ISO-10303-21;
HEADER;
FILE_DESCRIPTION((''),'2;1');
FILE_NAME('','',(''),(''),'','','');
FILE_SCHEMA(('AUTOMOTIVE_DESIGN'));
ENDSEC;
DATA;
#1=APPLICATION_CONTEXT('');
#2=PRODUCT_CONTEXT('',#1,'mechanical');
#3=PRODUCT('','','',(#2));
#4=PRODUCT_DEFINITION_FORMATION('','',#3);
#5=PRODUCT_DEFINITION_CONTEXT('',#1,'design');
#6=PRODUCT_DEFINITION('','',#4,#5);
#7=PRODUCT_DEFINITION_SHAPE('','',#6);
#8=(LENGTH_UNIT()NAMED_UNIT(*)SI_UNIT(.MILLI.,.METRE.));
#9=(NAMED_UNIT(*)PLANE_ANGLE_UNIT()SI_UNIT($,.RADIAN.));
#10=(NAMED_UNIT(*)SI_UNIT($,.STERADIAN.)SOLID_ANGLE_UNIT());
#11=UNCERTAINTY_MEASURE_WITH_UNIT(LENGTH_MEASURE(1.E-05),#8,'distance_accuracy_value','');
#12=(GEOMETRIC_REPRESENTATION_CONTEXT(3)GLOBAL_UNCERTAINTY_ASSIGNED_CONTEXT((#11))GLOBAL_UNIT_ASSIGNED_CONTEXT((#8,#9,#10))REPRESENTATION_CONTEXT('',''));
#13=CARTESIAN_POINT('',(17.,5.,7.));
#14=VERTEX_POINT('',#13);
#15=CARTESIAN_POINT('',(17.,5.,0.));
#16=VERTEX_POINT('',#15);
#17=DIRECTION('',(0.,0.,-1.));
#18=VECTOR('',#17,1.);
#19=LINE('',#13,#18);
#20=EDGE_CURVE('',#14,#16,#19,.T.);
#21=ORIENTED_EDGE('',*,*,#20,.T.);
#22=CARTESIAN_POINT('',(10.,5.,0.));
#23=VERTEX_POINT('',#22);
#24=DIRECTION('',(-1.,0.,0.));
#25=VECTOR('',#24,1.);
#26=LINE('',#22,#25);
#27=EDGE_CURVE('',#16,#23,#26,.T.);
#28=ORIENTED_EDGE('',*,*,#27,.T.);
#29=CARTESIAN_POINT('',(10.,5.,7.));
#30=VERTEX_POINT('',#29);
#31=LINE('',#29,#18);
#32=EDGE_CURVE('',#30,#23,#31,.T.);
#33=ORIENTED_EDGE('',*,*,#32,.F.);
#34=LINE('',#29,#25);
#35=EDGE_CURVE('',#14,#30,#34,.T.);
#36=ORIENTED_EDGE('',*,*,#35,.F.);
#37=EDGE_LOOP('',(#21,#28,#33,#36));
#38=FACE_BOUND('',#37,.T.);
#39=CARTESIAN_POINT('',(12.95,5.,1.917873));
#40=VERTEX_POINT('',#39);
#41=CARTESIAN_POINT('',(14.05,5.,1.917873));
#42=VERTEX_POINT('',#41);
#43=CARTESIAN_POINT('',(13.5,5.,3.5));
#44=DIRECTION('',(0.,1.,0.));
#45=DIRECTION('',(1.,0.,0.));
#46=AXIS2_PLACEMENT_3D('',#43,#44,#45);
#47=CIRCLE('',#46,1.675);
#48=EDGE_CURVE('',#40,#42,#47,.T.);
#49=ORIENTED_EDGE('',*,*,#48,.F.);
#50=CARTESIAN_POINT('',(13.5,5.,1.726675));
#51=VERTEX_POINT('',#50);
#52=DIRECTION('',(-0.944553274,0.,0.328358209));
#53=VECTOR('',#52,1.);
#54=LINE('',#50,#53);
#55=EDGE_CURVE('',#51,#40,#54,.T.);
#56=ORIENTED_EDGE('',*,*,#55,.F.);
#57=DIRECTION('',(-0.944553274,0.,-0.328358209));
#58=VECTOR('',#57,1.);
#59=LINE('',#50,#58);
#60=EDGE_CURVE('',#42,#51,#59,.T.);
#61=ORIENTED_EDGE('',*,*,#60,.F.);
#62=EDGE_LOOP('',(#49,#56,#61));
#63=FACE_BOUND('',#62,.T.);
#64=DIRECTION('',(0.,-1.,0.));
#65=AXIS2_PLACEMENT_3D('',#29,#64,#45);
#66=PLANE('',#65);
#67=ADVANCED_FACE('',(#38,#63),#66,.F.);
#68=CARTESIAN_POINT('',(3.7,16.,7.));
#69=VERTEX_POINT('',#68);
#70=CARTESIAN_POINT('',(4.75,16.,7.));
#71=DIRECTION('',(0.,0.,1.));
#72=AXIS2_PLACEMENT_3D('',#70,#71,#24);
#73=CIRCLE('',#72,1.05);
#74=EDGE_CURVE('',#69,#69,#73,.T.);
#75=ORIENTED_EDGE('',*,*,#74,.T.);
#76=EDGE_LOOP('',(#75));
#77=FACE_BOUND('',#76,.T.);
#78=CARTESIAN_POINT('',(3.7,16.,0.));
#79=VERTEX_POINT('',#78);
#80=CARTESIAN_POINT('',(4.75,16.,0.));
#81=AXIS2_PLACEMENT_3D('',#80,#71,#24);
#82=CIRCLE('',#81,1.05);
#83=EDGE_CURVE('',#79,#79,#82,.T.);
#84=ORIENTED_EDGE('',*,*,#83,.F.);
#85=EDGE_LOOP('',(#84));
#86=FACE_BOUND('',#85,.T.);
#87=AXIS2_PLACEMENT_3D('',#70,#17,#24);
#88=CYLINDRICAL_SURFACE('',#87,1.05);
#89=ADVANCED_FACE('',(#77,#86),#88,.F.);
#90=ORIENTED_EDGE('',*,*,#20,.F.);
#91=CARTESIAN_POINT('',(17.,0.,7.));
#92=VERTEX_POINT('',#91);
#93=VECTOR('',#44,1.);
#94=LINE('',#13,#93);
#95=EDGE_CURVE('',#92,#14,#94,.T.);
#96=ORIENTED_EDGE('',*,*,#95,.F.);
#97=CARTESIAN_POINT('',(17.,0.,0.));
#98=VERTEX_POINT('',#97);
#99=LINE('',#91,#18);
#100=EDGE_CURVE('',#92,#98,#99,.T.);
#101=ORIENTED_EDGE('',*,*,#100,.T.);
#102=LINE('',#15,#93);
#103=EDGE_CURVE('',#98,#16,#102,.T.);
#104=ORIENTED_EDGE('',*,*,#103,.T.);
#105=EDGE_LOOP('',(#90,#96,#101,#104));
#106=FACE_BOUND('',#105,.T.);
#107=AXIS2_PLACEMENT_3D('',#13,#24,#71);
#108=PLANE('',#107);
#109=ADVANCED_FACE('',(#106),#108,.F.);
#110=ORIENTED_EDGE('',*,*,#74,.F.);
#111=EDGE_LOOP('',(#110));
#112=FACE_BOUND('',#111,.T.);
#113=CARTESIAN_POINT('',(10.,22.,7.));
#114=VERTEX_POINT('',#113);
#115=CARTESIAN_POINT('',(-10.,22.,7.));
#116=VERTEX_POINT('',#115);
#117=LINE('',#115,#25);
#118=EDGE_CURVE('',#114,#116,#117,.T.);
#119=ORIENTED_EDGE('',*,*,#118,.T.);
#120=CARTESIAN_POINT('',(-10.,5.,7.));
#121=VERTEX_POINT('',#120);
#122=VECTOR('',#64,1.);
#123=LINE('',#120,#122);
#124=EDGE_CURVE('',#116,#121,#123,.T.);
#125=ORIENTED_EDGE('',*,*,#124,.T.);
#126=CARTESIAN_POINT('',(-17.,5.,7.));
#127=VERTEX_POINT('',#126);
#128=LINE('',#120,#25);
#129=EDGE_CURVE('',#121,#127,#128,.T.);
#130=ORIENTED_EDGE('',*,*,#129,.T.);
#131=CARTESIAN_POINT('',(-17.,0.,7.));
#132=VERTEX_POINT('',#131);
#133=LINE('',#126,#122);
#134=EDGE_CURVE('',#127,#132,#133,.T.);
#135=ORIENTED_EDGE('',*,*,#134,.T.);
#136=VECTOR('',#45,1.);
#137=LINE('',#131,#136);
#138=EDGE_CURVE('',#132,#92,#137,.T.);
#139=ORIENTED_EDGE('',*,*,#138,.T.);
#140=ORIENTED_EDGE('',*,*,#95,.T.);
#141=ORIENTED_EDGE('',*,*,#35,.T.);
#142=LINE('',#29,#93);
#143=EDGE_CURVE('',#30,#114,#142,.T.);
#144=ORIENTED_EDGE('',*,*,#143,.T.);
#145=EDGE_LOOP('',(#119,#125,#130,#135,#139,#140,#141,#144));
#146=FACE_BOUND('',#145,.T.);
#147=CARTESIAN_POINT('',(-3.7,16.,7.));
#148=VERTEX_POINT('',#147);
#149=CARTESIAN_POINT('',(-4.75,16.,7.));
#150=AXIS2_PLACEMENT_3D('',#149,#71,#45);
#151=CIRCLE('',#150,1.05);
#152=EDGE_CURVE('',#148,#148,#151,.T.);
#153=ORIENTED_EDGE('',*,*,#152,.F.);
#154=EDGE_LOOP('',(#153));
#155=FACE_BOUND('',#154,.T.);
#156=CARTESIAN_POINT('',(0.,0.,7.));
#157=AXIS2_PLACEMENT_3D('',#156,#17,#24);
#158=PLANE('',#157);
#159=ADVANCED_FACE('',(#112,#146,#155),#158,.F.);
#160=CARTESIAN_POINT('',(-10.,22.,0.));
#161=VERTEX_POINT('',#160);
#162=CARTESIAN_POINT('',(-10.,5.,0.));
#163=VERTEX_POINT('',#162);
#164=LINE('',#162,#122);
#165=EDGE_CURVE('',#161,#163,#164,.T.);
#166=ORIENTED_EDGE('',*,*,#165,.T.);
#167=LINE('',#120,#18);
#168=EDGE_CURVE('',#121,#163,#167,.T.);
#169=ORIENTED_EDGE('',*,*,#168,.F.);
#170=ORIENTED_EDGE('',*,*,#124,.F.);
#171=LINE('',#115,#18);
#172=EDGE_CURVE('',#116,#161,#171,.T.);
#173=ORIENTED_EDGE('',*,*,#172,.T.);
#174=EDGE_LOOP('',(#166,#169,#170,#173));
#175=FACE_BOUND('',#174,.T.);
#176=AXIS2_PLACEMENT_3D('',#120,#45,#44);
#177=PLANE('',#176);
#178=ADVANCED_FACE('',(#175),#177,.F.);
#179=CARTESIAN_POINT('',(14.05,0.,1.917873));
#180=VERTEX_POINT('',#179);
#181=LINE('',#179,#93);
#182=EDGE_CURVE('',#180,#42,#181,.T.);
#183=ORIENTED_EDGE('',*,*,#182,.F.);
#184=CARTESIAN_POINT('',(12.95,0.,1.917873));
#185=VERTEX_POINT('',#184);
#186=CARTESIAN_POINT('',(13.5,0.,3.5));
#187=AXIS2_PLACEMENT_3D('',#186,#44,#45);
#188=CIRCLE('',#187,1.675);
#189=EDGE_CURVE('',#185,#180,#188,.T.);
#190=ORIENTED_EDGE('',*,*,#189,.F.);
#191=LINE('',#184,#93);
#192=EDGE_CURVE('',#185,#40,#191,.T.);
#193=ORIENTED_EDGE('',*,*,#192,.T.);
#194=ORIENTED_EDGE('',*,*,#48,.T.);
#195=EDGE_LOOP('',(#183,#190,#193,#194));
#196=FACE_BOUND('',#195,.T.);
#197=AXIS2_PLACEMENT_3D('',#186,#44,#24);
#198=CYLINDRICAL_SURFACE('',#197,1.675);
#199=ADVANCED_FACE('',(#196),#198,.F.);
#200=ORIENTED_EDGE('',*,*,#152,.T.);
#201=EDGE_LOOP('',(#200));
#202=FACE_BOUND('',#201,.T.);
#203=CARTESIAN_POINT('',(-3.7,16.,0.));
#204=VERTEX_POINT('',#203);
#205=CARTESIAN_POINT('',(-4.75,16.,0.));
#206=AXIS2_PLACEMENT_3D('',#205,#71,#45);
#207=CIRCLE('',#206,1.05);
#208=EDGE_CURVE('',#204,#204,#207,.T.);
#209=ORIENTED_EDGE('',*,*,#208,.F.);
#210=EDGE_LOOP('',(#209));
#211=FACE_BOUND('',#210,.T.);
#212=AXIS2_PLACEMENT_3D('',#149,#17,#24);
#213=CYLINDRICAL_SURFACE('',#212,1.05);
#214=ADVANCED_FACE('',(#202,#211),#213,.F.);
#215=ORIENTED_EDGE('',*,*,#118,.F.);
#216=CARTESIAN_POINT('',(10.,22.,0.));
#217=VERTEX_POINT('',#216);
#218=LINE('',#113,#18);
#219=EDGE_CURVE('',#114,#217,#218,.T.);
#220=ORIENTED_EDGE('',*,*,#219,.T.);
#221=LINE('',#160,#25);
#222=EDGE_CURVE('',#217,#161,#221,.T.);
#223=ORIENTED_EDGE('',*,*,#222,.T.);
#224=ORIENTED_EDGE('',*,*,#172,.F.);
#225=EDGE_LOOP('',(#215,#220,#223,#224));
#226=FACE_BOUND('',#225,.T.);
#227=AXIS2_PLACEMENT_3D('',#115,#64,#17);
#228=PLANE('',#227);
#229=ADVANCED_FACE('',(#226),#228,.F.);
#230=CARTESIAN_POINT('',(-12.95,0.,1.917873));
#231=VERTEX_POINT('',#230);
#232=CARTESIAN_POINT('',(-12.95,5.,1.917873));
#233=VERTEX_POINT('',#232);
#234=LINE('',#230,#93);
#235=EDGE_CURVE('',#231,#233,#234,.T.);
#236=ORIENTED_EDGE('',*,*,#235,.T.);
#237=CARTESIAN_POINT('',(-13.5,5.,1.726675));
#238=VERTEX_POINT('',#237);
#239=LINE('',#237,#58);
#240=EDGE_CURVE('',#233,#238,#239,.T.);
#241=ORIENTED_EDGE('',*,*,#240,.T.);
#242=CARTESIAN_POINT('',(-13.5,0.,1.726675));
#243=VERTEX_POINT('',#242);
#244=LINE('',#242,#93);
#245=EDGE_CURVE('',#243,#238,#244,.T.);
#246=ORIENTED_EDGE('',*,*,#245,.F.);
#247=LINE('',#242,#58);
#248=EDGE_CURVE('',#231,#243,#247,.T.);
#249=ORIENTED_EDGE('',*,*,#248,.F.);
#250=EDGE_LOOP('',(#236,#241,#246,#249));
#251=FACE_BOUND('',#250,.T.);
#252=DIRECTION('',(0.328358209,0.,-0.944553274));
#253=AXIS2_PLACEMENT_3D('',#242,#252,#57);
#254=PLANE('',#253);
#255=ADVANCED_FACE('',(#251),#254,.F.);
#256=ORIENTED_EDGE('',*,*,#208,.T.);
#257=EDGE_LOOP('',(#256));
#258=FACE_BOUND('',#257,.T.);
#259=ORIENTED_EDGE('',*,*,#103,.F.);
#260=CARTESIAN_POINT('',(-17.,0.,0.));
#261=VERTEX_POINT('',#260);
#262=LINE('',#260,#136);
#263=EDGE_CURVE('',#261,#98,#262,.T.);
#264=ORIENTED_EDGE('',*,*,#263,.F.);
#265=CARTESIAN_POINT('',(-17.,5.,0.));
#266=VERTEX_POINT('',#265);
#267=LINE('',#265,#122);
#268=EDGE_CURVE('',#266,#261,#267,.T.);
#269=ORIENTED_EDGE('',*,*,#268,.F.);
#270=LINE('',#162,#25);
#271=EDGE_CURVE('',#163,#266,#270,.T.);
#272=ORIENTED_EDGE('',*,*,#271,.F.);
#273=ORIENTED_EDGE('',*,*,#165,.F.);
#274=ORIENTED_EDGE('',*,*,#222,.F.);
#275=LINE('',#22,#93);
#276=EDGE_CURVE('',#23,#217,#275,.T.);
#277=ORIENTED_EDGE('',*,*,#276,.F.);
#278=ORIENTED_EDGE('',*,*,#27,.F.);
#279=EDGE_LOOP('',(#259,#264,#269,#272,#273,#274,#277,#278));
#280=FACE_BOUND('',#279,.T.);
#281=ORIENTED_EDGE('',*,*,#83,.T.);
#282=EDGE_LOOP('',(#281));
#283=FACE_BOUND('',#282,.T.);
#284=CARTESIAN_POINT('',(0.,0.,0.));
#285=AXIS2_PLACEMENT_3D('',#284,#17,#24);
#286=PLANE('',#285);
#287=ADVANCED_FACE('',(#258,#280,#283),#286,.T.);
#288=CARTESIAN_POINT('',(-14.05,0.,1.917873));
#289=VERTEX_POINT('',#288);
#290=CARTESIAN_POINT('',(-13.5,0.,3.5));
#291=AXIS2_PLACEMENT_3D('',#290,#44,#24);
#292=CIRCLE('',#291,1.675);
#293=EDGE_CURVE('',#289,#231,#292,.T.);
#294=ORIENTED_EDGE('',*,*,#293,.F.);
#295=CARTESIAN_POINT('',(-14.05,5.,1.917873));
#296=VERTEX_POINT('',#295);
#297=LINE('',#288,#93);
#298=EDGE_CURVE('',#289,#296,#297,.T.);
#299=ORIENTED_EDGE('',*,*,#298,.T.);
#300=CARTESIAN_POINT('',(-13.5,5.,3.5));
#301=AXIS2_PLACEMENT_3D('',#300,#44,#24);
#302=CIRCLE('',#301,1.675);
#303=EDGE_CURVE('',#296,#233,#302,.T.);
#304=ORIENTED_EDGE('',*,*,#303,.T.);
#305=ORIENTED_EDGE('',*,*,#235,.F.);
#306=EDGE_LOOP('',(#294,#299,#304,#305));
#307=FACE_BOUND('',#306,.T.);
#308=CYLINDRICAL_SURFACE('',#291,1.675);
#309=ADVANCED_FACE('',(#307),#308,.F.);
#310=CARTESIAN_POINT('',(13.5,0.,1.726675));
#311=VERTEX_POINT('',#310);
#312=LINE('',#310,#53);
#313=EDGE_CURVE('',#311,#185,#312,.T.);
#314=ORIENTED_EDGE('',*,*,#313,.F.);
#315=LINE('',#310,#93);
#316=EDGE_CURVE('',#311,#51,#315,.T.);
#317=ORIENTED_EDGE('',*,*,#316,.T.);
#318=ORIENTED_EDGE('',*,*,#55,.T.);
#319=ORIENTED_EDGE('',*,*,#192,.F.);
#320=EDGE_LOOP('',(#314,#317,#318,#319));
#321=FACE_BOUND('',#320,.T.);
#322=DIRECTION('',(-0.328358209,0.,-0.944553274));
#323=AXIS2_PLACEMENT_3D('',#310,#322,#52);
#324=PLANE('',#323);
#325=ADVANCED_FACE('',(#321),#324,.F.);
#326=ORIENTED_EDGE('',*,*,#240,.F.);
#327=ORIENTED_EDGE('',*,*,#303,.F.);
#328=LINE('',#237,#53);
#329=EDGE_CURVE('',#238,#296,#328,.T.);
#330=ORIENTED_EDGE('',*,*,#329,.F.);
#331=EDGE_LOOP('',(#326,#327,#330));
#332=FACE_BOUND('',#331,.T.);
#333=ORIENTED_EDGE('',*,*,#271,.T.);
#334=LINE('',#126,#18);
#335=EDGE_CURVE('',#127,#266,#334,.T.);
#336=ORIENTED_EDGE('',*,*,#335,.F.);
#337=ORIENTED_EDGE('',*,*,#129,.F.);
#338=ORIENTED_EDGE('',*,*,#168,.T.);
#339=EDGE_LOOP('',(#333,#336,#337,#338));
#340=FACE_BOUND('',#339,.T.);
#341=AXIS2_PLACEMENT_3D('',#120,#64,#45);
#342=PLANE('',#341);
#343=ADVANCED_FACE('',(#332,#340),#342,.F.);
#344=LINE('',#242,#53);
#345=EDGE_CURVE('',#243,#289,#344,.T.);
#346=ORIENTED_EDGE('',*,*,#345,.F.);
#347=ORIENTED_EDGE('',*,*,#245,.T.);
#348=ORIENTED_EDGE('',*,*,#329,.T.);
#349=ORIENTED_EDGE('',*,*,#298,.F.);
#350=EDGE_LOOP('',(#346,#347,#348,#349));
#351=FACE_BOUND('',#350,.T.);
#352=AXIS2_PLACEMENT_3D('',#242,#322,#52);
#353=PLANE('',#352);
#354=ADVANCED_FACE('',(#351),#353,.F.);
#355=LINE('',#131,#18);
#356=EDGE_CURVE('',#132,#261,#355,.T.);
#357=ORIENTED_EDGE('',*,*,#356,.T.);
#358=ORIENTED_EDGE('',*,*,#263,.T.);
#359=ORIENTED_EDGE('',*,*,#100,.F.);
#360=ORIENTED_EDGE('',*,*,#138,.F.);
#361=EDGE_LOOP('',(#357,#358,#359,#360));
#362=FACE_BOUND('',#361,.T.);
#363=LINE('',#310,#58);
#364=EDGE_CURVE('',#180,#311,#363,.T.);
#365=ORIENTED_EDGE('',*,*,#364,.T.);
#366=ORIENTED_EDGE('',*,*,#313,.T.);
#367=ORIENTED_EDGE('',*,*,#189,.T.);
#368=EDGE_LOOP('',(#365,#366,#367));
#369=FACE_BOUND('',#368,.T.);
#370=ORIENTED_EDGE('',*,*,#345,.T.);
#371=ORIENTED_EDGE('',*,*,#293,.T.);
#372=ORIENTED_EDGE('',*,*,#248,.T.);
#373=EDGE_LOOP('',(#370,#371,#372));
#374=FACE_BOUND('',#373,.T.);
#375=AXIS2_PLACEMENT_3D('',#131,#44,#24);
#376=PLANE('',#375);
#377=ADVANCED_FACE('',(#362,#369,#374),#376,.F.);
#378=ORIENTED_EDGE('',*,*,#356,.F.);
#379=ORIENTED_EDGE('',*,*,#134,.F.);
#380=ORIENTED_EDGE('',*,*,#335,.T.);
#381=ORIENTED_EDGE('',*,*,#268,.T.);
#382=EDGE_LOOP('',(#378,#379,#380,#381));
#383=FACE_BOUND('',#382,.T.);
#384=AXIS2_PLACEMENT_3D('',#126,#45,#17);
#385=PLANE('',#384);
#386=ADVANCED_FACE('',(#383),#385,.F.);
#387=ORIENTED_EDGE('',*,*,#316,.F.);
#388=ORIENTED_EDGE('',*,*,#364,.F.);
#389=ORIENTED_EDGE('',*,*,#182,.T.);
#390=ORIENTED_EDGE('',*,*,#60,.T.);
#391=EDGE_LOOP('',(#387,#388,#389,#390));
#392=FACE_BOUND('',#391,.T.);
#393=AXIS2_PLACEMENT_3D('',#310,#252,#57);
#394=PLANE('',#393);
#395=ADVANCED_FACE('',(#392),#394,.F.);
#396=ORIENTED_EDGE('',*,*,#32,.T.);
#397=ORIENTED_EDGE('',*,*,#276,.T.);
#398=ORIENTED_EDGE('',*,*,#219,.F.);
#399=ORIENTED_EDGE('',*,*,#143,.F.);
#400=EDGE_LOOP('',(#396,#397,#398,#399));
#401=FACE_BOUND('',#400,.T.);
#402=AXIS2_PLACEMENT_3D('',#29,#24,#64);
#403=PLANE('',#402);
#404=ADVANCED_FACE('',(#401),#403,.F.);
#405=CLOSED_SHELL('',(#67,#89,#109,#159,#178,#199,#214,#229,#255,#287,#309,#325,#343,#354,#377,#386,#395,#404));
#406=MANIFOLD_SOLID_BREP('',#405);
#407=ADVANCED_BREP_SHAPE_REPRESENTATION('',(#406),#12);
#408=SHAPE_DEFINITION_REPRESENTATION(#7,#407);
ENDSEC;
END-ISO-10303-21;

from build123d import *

# Parameters (mm, degrees)
SKETCH2_R           = 1.05
BOSS_EXTRUDE1_DEPTH = 7
CUT_EXTRUDE1_DEPTH  = 26.039968051


with BuildPart() as part:
    # Sketch2 → Boss-Extrude1 (new body)
    with BuildSketch(Plane.XY):
        Polygon((-10, 5), (-17, 5), (-17, 0), (17, 0), (17, 5), (10, 5), (10, 22), (-10, 22), align=None)
        with Locations((-4.75, 16)):
            Circle(SKETCH2_R, mode=Mode.SUBTRACT)
        with Locations(Location((4.75, 16, 0), (0, 0, 180))):
            Circle(SKETCH2_R, mode=Mode.SUBTRACT)
    extrude(amount=BOSS_EXTRUDE1_DEPTH)

    # Sketch3 → Cut-Extrude1 (cut, through all)
    with BuildSketch(Plane(origin=(0, 5, 0), x_dir=(1, 0, 0), z_dir=(0, 1, 0))):
        with BuildLine():
            Line((-13.5, -1.72667493), (-12.95, -1.917873267))
            ThreePointArc((-12.95, -1.917873267), (-13.5, -5.175), (-14.05, -1.917873267))
            Line((-14.05, -1.917873267), (-13.5, -1.72667493))
        make_face()
        with BuildLine():
            Line((13.5, -1.72667493), (14.05, -1.917873267))
            ThreePointArc((14.05, -1.917873267), (13.5, -5.175), (12.95, -1.917873267))
            Line((12.95, -1.917873267), (13.5, -1.72667493))
        make_face()
    extrude(amount=-CUT_EXTRUDE1_DEPTH, mode=Mode.SUBTRACT)


solid = part.part
